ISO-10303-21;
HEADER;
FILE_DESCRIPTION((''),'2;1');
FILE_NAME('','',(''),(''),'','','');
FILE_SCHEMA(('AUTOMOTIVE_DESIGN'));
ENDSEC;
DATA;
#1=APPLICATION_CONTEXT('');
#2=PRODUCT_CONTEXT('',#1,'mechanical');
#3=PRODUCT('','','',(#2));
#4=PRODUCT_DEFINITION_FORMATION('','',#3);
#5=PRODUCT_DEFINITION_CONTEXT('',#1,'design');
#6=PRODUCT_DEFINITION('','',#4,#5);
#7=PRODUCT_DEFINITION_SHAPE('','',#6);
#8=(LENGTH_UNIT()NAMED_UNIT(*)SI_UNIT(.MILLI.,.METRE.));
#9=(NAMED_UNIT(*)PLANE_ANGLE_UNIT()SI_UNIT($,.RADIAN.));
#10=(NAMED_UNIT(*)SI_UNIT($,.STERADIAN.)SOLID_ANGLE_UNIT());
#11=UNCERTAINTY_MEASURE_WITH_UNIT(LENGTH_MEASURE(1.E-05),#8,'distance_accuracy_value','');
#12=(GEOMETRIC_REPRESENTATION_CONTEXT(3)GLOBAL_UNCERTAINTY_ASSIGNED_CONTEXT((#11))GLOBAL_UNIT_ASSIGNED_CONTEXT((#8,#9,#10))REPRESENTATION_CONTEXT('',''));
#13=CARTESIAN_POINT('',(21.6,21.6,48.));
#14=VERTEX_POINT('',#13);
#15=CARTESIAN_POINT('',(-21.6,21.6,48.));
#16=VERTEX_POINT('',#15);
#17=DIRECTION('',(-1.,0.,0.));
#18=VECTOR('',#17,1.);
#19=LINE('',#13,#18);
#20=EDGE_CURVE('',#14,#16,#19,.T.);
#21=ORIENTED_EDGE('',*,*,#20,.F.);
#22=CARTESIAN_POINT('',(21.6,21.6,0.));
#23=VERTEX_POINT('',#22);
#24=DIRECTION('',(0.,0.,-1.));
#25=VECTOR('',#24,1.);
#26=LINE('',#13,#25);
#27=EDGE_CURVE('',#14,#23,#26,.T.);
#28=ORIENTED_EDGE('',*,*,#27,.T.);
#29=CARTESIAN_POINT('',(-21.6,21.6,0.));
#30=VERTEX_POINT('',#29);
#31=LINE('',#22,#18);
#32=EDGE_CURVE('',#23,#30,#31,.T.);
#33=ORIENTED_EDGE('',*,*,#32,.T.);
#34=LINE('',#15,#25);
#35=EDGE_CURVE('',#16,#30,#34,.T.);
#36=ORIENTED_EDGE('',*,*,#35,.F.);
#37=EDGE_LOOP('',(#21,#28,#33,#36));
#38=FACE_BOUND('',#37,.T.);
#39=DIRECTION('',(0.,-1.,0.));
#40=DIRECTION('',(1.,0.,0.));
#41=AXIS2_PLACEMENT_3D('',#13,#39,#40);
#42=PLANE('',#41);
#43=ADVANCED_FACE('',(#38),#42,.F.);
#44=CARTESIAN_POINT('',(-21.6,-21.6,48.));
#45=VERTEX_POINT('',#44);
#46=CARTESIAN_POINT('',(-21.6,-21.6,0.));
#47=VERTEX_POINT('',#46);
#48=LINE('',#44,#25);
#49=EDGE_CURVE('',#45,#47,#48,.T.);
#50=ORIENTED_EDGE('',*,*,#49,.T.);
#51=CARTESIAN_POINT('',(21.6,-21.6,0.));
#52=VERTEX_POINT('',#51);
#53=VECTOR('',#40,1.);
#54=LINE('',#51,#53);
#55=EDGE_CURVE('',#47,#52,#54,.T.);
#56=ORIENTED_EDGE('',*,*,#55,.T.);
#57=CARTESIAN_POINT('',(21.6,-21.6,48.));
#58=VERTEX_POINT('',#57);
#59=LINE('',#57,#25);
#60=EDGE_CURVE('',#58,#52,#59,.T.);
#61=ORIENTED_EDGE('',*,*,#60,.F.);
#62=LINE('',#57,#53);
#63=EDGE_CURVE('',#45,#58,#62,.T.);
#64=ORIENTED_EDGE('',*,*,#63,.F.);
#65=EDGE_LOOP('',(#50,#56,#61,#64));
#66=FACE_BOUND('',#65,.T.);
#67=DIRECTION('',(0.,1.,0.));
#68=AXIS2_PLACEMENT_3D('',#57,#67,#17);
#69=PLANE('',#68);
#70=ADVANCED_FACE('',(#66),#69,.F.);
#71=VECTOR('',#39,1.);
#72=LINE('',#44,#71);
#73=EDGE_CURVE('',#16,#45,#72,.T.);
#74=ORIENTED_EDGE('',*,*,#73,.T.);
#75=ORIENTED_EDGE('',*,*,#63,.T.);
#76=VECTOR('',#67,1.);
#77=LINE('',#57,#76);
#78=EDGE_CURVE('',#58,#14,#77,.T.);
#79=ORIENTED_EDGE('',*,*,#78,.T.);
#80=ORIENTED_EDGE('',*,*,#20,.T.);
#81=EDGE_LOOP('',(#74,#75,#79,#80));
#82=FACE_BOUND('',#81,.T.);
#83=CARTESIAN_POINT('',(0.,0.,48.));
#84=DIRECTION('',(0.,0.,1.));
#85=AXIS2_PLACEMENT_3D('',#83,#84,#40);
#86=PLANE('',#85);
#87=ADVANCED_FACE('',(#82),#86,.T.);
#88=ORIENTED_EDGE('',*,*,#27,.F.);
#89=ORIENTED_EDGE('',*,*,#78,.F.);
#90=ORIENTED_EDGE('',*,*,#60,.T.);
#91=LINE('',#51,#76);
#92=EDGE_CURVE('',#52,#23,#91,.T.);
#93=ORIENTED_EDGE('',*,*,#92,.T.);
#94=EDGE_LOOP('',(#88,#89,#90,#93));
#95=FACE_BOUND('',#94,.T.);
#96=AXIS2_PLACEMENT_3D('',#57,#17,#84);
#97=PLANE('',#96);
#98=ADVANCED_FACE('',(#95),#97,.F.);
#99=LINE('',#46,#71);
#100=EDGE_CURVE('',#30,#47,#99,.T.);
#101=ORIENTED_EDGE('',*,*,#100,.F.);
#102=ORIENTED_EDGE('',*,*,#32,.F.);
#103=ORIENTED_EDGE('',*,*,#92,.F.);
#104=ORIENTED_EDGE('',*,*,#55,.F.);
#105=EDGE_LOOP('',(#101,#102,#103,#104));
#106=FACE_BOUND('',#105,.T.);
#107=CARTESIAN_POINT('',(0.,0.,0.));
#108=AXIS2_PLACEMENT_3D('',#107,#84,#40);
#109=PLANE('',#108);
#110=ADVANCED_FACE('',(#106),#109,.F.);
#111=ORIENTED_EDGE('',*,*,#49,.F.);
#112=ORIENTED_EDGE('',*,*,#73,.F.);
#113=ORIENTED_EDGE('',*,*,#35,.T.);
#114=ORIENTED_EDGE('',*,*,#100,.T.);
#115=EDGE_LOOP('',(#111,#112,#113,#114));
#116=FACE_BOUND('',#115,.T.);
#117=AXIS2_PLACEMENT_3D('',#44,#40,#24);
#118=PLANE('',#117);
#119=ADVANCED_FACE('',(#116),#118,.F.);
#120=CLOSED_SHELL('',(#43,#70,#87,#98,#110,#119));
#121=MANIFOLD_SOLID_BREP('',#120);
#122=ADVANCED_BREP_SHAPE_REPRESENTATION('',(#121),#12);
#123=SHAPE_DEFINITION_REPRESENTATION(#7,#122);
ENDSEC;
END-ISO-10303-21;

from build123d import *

# Parameters (mm, degrees)
SZKIC1_W                    = 43.2
SZKIC1_H                    = 43.2
DODANIE_WYCI_GNI_CIE1_DEPTH = 48


with BuildPart() as part:
    # Szkic1 → Dodanie-wyciągnięcie1 (new body)
    with BuildSketch(Plane.XY):
        Rectangle(SZKIC1_W, SZKIC1_H)
    extrude(amount=DODANIE_WYCI_GNI_CIE1_DEPTH)


solid = part.part
